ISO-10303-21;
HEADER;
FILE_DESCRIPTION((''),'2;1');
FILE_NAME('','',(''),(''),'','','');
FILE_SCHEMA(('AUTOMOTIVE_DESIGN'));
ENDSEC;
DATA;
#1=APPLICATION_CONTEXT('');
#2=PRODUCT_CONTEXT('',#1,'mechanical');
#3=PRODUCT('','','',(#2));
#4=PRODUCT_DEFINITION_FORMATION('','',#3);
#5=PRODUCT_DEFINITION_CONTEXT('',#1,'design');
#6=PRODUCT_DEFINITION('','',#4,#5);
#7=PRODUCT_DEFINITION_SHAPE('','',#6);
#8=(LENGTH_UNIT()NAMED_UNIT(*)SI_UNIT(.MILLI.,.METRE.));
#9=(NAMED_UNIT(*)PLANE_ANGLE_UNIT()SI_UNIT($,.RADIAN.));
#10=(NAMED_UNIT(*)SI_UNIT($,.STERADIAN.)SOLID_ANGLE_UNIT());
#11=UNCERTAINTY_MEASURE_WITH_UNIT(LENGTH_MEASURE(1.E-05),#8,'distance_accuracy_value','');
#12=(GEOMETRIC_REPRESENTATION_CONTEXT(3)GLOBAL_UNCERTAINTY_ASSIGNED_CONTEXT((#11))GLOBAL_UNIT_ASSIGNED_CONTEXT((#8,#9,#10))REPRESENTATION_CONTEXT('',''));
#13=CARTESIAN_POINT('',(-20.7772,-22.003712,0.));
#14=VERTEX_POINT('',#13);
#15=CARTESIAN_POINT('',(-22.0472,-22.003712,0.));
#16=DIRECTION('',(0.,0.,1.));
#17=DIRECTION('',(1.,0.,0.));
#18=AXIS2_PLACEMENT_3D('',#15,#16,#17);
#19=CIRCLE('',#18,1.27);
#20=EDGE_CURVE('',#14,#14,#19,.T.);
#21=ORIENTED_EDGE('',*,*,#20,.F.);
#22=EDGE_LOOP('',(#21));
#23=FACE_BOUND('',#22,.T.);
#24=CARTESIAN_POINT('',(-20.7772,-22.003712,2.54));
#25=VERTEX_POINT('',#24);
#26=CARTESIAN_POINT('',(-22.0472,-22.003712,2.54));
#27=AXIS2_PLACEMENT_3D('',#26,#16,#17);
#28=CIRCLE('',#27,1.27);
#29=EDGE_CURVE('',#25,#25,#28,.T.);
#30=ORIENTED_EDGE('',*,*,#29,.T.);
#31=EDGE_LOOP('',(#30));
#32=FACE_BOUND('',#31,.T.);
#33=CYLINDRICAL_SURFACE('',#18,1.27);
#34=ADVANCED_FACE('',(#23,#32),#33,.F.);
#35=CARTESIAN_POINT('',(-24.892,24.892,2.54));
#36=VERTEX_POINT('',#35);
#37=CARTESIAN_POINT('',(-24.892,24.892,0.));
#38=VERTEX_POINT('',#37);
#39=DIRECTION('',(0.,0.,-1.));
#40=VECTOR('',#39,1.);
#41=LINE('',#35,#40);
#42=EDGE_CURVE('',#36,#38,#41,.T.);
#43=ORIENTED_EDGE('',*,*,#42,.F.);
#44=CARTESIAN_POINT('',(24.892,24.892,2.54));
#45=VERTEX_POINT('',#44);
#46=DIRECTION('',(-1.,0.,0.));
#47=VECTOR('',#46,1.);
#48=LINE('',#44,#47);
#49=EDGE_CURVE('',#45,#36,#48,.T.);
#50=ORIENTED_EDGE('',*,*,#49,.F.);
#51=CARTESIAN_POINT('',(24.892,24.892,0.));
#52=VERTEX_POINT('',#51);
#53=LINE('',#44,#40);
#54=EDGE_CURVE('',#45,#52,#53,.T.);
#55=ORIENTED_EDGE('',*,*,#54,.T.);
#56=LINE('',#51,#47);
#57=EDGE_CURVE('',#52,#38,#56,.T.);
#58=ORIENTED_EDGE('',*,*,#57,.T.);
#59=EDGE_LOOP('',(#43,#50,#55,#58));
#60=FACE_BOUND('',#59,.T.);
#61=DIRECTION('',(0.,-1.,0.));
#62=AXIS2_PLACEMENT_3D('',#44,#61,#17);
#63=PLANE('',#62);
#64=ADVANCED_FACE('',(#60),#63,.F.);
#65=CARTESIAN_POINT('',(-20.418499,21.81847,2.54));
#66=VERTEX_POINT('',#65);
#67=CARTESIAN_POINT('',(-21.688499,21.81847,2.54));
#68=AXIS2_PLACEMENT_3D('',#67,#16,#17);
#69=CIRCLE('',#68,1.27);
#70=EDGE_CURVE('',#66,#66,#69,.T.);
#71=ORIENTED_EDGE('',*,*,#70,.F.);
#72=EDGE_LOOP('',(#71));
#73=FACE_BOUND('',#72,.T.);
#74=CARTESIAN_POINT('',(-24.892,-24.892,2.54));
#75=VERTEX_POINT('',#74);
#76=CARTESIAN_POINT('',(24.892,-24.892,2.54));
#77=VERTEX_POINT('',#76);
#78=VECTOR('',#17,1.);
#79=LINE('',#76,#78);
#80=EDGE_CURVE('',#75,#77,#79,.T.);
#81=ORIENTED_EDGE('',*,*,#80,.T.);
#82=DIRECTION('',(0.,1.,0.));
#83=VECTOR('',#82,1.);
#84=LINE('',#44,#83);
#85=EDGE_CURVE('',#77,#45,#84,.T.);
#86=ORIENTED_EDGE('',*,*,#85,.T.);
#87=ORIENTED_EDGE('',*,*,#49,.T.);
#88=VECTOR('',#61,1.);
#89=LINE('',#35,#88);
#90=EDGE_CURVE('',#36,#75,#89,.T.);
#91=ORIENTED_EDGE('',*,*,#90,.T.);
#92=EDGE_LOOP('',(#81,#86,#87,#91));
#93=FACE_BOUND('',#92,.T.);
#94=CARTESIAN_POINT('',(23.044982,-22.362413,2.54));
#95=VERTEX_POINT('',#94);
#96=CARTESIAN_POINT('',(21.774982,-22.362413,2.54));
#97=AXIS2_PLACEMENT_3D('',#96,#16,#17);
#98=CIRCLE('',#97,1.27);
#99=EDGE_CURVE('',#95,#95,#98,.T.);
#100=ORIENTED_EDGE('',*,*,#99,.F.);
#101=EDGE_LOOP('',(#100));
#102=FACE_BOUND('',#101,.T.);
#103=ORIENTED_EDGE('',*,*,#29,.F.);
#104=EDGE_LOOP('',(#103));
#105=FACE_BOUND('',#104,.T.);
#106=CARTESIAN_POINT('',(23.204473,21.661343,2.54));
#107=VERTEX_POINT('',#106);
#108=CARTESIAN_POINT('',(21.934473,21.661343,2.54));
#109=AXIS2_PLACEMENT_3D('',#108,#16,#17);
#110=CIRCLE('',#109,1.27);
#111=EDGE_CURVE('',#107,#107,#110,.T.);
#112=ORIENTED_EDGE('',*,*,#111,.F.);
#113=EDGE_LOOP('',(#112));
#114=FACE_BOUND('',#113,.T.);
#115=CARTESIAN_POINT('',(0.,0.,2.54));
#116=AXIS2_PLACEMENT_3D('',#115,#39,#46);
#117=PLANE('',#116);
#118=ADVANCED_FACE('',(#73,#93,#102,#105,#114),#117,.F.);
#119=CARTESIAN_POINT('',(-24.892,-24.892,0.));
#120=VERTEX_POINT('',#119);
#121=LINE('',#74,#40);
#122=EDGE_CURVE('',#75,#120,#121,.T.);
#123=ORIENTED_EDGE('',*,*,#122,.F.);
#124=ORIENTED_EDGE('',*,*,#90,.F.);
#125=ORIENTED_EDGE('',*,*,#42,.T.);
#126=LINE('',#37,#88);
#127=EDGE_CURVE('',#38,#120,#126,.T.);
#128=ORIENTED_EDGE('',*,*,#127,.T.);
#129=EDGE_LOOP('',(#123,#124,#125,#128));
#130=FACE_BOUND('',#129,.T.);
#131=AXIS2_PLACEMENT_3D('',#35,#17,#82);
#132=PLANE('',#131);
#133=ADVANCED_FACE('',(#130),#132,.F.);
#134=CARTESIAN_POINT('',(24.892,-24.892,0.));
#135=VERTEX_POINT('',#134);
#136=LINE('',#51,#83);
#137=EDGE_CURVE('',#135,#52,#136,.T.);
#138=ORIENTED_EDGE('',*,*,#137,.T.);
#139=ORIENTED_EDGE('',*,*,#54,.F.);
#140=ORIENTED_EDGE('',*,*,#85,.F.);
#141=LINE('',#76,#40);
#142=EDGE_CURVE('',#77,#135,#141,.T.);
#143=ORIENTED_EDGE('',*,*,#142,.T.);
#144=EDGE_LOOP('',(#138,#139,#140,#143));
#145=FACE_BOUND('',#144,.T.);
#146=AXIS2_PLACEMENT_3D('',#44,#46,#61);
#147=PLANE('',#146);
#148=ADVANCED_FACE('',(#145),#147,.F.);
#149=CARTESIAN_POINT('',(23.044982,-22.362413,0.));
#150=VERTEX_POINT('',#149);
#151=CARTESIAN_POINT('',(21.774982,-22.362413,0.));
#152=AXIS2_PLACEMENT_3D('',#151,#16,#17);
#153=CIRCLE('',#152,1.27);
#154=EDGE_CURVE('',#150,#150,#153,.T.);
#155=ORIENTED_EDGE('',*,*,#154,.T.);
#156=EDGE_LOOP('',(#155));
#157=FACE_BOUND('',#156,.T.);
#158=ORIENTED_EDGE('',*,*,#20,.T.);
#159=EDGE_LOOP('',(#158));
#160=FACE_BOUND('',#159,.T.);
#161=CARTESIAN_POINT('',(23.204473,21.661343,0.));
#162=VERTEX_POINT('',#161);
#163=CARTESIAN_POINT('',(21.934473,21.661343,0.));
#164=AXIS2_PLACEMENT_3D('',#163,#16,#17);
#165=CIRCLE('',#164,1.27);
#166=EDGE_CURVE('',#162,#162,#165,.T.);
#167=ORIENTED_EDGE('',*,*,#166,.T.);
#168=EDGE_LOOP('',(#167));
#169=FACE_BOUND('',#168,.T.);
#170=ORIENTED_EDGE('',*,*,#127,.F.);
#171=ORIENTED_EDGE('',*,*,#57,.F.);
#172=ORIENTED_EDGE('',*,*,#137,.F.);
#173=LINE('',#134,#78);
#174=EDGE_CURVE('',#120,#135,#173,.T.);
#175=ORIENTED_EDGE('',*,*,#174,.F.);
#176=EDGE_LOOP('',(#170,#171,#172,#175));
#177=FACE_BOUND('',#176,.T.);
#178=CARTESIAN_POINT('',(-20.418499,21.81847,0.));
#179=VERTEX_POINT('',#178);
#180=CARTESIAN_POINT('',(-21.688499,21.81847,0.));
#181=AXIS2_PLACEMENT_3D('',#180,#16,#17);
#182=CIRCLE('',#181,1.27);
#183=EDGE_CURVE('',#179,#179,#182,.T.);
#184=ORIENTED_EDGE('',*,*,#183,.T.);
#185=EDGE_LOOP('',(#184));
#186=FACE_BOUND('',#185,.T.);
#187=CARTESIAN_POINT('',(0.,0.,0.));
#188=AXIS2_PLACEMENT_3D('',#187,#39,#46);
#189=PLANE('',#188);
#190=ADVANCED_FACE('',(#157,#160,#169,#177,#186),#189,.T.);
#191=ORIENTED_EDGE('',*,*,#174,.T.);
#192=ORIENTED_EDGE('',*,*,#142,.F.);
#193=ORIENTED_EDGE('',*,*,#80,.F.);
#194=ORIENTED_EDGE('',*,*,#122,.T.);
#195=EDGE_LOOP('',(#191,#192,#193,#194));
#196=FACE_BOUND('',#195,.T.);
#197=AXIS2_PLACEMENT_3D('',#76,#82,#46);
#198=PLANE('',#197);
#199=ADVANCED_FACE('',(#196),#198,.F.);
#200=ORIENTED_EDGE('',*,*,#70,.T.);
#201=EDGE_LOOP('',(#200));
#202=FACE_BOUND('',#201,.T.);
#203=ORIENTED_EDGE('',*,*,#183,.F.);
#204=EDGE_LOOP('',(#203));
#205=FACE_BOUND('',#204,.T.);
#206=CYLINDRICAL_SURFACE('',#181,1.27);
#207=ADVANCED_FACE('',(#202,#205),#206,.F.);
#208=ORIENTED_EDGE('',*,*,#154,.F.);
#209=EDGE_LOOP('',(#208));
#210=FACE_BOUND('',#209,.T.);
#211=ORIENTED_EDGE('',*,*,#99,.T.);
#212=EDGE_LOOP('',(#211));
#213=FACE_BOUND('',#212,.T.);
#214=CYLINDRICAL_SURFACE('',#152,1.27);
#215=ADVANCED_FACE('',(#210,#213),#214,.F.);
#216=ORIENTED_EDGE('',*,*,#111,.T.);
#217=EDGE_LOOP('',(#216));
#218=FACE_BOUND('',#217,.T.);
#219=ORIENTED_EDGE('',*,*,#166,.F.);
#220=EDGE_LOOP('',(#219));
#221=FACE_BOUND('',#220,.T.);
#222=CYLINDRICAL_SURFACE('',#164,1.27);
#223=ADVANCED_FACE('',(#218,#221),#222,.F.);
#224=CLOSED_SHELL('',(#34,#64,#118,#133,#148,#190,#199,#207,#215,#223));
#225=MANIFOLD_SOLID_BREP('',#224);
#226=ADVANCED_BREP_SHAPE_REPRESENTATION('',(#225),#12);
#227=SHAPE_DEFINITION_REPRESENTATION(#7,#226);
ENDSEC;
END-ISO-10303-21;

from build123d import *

# Parameters (mm, degrees)
SKETCH1_W           = 49.784
SKETCH1_H           = 49.784
BOSS_EXTRUDE1_DEPTH = 2.54
SKETCH2_R           = 1.27
CUT_EXTRUDE1_DEPTH  = 36.294120304


with BuildPart() as part:
    # Sketch1 → Boss-Extrude1 (new body)
    with BuildSketch(Plane.XY):
        Rectangle(SKETCH1_W, SKETCH1_H)
    extrude(amount=BOSS_EXTRUDE1_DEPTH)

    # Sketch2 → Cut-Extrude1 (cut, through all)
    with BuildSketch(Plane.XY.offset(2.54)):
        with Locations((-21.688499139, 21.818469938)):
            Circle(SKETCH2_R)
        with Locations((-22.0472, -22.003711907)):
            Circle(SKETCH2_R)
        with Locations((21.774981845, -22.362412768)):
            Circle(SKETCH2_R)
        with Locations((21.934472809, 21.661343147)):
            Circle(SKETCH2_R)
    extrude(amount=-CUT_EXTRUDE1_DEPTH, mode=Mode.SUBTRACT)


solid = part.part
